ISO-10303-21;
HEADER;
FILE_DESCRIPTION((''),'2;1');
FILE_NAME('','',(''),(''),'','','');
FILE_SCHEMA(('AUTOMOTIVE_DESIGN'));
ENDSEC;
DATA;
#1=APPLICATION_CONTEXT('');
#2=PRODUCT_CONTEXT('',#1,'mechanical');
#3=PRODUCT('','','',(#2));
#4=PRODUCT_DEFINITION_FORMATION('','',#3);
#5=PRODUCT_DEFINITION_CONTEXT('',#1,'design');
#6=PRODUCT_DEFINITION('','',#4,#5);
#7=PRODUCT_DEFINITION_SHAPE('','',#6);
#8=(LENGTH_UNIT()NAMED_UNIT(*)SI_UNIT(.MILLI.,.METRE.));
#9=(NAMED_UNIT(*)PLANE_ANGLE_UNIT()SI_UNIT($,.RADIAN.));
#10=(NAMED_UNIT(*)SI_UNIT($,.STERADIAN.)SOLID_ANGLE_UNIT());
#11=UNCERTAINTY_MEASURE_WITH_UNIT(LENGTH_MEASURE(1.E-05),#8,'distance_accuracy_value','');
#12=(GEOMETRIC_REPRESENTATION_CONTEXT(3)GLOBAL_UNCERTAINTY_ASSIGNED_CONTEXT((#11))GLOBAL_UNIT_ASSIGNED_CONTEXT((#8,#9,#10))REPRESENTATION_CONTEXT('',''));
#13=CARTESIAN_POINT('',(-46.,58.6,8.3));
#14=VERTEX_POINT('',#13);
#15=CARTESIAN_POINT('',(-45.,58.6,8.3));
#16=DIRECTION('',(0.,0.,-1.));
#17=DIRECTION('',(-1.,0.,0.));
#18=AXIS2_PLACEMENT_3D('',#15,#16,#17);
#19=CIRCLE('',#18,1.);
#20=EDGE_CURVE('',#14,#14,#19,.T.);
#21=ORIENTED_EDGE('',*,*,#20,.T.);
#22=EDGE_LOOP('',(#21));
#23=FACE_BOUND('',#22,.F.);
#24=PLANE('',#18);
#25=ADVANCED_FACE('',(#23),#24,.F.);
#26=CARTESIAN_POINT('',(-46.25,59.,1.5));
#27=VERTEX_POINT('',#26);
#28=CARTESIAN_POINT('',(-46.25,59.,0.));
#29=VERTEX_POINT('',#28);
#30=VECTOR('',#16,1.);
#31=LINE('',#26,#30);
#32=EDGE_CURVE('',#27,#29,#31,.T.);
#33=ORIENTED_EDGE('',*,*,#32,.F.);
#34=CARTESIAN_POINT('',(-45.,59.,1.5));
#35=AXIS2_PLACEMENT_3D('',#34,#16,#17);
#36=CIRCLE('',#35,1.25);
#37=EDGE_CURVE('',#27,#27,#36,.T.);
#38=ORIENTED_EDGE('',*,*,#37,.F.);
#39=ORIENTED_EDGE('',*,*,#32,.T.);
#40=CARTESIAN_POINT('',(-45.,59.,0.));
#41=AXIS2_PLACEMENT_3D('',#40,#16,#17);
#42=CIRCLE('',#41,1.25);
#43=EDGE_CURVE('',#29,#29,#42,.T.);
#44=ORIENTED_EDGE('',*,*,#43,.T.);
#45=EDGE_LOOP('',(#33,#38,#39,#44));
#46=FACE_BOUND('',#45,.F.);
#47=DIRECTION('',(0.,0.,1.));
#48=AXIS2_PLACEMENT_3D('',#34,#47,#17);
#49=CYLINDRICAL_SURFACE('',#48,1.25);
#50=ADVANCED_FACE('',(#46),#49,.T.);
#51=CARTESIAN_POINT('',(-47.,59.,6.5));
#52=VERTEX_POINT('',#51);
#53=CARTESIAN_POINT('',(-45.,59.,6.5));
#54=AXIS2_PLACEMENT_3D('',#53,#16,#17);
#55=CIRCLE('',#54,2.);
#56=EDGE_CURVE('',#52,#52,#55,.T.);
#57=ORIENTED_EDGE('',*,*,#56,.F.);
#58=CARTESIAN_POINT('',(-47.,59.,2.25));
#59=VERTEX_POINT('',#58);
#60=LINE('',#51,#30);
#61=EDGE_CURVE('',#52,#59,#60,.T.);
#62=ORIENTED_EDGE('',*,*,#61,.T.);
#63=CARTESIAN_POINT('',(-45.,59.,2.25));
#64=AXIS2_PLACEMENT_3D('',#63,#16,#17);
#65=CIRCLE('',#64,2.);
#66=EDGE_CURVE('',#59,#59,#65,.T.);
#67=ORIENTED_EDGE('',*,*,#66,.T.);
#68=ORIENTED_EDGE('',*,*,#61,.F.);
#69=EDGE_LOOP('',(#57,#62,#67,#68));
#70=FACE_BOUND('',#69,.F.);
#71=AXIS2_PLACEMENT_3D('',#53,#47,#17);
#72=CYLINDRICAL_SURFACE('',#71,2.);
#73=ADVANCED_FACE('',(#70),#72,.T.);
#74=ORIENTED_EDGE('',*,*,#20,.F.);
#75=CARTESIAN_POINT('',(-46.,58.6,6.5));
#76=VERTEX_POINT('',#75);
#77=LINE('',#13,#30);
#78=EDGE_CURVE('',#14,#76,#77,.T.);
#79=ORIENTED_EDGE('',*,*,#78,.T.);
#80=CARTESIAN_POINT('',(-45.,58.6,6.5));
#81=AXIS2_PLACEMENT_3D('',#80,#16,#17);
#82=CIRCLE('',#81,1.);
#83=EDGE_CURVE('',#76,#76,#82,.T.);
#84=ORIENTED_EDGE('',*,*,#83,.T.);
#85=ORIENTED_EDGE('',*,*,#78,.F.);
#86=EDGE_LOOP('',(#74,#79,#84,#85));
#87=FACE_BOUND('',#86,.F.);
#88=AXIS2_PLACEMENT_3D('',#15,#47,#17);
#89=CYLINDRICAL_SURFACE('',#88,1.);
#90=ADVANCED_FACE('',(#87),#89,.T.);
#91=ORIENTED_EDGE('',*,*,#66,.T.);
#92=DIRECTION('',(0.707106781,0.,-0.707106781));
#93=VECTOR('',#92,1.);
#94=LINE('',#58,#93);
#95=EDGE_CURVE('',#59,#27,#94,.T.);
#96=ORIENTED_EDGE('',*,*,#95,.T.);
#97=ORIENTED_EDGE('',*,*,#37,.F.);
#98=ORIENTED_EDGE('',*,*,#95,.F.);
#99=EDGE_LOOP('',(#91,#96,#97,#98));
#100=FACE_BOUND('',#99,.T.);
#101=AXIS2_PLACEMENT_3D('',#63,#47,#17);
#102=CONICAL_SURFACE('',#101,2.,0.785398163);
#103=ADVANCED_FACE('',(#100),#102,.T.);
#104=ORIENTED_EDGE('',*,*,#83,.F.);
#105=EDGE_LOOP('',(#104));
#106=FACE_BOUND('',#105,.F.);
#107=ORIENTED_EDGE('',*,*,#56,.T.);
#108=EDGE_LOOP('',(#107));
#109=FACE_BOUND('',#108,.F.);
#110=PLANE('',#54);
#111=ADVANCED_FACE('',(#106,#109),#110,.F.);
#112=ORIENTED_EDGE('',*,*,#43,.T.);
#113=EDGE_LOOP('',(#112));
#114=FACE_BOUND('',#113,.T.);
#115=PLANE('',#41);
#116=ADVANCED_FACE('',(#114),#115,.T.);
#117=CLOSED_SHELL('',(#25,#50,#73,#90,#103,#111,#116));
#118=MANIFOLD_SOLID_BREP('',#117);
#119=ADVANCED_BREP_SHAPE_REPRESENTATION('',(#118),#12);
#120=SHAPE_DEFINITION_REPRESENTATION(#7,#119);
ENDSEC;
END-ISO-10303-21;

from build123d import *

# Parameters (mm, degrees)
CYLINDER_R             = 2
CYLINDER_DEPTH         = 5
CHAMFER_SIZE           = 0.75
CYLINDER002_R          = 1
CYLINDER002_DEPTH      = 1.8
CYLINDER001_R          = 1.25
CYLINDER001_DEPTH      = 1.5
FUSION_PLACEMENT_ANGLE = 180


with BuildPart() as chamfer001:
    # Cylinder → Cylinder (new body)
    with BuildSketch(Plane.XY):
        Circle(CYLINDER_R)
    extrude(amount=CYLINDER_DEPTH)

    # Chamfer
    chamfer_edges = [chamfer001.edges().sort_by_distance(p)[0] for p in [
        (-2, 0, 5),
    ]]
    chamfer(chamfer_edges, length=CHAMFER_SIZE)


with BuildPart() as chamfer001_1:
    # Clone002 placement: moved
    add(chamfer001.part.moved(Location((0, -6, 0))))


with BuildPart() as cylinder004:
    # Cylinder002 → Cylinder002 (new body)
    with BuildSketch(Plane.XY.offset(-1.8)):
        Circle(CYLINDER002_R)
    extrude(amount=CYLINDER002_DEPTH)


with BuildPart() as cylinder004_1:
    # Clone001 placement: moved
    add(cylinder004.part.moved(Location((0, -6.4, 0))))


with BuildPart() as spacer_desviado:
    # Cylinder001 → Cylinder001 (new body)
    with BuildSketch(Plane.XY.offset(5)):
        Circle(CYLINDER001_R)
    extrude(amount=CYLINDER001_DEPTH)


with BuildPart() as spacer_desviado_1:
    # Clone placement: moved
    add(spacer_desviado.part.moved(Location((0, -6, 0))))

    # Fusion: union Chamfer001, Cylinder004
    add(chamfer001_1.part)
    add(cylinder004_1.part)


with BuildPart() as spacer_desviado_2:
    # Fusion placement: moved
    add(spacer_desviado_1.part.moved(Location((-45, 65, 6.5))).rotate(Axis((-45, 65, 6.5), (0, 1, 0)), FUSION_PLACEMENT_ANGLE))


solid = spacer_desviado_2.part
